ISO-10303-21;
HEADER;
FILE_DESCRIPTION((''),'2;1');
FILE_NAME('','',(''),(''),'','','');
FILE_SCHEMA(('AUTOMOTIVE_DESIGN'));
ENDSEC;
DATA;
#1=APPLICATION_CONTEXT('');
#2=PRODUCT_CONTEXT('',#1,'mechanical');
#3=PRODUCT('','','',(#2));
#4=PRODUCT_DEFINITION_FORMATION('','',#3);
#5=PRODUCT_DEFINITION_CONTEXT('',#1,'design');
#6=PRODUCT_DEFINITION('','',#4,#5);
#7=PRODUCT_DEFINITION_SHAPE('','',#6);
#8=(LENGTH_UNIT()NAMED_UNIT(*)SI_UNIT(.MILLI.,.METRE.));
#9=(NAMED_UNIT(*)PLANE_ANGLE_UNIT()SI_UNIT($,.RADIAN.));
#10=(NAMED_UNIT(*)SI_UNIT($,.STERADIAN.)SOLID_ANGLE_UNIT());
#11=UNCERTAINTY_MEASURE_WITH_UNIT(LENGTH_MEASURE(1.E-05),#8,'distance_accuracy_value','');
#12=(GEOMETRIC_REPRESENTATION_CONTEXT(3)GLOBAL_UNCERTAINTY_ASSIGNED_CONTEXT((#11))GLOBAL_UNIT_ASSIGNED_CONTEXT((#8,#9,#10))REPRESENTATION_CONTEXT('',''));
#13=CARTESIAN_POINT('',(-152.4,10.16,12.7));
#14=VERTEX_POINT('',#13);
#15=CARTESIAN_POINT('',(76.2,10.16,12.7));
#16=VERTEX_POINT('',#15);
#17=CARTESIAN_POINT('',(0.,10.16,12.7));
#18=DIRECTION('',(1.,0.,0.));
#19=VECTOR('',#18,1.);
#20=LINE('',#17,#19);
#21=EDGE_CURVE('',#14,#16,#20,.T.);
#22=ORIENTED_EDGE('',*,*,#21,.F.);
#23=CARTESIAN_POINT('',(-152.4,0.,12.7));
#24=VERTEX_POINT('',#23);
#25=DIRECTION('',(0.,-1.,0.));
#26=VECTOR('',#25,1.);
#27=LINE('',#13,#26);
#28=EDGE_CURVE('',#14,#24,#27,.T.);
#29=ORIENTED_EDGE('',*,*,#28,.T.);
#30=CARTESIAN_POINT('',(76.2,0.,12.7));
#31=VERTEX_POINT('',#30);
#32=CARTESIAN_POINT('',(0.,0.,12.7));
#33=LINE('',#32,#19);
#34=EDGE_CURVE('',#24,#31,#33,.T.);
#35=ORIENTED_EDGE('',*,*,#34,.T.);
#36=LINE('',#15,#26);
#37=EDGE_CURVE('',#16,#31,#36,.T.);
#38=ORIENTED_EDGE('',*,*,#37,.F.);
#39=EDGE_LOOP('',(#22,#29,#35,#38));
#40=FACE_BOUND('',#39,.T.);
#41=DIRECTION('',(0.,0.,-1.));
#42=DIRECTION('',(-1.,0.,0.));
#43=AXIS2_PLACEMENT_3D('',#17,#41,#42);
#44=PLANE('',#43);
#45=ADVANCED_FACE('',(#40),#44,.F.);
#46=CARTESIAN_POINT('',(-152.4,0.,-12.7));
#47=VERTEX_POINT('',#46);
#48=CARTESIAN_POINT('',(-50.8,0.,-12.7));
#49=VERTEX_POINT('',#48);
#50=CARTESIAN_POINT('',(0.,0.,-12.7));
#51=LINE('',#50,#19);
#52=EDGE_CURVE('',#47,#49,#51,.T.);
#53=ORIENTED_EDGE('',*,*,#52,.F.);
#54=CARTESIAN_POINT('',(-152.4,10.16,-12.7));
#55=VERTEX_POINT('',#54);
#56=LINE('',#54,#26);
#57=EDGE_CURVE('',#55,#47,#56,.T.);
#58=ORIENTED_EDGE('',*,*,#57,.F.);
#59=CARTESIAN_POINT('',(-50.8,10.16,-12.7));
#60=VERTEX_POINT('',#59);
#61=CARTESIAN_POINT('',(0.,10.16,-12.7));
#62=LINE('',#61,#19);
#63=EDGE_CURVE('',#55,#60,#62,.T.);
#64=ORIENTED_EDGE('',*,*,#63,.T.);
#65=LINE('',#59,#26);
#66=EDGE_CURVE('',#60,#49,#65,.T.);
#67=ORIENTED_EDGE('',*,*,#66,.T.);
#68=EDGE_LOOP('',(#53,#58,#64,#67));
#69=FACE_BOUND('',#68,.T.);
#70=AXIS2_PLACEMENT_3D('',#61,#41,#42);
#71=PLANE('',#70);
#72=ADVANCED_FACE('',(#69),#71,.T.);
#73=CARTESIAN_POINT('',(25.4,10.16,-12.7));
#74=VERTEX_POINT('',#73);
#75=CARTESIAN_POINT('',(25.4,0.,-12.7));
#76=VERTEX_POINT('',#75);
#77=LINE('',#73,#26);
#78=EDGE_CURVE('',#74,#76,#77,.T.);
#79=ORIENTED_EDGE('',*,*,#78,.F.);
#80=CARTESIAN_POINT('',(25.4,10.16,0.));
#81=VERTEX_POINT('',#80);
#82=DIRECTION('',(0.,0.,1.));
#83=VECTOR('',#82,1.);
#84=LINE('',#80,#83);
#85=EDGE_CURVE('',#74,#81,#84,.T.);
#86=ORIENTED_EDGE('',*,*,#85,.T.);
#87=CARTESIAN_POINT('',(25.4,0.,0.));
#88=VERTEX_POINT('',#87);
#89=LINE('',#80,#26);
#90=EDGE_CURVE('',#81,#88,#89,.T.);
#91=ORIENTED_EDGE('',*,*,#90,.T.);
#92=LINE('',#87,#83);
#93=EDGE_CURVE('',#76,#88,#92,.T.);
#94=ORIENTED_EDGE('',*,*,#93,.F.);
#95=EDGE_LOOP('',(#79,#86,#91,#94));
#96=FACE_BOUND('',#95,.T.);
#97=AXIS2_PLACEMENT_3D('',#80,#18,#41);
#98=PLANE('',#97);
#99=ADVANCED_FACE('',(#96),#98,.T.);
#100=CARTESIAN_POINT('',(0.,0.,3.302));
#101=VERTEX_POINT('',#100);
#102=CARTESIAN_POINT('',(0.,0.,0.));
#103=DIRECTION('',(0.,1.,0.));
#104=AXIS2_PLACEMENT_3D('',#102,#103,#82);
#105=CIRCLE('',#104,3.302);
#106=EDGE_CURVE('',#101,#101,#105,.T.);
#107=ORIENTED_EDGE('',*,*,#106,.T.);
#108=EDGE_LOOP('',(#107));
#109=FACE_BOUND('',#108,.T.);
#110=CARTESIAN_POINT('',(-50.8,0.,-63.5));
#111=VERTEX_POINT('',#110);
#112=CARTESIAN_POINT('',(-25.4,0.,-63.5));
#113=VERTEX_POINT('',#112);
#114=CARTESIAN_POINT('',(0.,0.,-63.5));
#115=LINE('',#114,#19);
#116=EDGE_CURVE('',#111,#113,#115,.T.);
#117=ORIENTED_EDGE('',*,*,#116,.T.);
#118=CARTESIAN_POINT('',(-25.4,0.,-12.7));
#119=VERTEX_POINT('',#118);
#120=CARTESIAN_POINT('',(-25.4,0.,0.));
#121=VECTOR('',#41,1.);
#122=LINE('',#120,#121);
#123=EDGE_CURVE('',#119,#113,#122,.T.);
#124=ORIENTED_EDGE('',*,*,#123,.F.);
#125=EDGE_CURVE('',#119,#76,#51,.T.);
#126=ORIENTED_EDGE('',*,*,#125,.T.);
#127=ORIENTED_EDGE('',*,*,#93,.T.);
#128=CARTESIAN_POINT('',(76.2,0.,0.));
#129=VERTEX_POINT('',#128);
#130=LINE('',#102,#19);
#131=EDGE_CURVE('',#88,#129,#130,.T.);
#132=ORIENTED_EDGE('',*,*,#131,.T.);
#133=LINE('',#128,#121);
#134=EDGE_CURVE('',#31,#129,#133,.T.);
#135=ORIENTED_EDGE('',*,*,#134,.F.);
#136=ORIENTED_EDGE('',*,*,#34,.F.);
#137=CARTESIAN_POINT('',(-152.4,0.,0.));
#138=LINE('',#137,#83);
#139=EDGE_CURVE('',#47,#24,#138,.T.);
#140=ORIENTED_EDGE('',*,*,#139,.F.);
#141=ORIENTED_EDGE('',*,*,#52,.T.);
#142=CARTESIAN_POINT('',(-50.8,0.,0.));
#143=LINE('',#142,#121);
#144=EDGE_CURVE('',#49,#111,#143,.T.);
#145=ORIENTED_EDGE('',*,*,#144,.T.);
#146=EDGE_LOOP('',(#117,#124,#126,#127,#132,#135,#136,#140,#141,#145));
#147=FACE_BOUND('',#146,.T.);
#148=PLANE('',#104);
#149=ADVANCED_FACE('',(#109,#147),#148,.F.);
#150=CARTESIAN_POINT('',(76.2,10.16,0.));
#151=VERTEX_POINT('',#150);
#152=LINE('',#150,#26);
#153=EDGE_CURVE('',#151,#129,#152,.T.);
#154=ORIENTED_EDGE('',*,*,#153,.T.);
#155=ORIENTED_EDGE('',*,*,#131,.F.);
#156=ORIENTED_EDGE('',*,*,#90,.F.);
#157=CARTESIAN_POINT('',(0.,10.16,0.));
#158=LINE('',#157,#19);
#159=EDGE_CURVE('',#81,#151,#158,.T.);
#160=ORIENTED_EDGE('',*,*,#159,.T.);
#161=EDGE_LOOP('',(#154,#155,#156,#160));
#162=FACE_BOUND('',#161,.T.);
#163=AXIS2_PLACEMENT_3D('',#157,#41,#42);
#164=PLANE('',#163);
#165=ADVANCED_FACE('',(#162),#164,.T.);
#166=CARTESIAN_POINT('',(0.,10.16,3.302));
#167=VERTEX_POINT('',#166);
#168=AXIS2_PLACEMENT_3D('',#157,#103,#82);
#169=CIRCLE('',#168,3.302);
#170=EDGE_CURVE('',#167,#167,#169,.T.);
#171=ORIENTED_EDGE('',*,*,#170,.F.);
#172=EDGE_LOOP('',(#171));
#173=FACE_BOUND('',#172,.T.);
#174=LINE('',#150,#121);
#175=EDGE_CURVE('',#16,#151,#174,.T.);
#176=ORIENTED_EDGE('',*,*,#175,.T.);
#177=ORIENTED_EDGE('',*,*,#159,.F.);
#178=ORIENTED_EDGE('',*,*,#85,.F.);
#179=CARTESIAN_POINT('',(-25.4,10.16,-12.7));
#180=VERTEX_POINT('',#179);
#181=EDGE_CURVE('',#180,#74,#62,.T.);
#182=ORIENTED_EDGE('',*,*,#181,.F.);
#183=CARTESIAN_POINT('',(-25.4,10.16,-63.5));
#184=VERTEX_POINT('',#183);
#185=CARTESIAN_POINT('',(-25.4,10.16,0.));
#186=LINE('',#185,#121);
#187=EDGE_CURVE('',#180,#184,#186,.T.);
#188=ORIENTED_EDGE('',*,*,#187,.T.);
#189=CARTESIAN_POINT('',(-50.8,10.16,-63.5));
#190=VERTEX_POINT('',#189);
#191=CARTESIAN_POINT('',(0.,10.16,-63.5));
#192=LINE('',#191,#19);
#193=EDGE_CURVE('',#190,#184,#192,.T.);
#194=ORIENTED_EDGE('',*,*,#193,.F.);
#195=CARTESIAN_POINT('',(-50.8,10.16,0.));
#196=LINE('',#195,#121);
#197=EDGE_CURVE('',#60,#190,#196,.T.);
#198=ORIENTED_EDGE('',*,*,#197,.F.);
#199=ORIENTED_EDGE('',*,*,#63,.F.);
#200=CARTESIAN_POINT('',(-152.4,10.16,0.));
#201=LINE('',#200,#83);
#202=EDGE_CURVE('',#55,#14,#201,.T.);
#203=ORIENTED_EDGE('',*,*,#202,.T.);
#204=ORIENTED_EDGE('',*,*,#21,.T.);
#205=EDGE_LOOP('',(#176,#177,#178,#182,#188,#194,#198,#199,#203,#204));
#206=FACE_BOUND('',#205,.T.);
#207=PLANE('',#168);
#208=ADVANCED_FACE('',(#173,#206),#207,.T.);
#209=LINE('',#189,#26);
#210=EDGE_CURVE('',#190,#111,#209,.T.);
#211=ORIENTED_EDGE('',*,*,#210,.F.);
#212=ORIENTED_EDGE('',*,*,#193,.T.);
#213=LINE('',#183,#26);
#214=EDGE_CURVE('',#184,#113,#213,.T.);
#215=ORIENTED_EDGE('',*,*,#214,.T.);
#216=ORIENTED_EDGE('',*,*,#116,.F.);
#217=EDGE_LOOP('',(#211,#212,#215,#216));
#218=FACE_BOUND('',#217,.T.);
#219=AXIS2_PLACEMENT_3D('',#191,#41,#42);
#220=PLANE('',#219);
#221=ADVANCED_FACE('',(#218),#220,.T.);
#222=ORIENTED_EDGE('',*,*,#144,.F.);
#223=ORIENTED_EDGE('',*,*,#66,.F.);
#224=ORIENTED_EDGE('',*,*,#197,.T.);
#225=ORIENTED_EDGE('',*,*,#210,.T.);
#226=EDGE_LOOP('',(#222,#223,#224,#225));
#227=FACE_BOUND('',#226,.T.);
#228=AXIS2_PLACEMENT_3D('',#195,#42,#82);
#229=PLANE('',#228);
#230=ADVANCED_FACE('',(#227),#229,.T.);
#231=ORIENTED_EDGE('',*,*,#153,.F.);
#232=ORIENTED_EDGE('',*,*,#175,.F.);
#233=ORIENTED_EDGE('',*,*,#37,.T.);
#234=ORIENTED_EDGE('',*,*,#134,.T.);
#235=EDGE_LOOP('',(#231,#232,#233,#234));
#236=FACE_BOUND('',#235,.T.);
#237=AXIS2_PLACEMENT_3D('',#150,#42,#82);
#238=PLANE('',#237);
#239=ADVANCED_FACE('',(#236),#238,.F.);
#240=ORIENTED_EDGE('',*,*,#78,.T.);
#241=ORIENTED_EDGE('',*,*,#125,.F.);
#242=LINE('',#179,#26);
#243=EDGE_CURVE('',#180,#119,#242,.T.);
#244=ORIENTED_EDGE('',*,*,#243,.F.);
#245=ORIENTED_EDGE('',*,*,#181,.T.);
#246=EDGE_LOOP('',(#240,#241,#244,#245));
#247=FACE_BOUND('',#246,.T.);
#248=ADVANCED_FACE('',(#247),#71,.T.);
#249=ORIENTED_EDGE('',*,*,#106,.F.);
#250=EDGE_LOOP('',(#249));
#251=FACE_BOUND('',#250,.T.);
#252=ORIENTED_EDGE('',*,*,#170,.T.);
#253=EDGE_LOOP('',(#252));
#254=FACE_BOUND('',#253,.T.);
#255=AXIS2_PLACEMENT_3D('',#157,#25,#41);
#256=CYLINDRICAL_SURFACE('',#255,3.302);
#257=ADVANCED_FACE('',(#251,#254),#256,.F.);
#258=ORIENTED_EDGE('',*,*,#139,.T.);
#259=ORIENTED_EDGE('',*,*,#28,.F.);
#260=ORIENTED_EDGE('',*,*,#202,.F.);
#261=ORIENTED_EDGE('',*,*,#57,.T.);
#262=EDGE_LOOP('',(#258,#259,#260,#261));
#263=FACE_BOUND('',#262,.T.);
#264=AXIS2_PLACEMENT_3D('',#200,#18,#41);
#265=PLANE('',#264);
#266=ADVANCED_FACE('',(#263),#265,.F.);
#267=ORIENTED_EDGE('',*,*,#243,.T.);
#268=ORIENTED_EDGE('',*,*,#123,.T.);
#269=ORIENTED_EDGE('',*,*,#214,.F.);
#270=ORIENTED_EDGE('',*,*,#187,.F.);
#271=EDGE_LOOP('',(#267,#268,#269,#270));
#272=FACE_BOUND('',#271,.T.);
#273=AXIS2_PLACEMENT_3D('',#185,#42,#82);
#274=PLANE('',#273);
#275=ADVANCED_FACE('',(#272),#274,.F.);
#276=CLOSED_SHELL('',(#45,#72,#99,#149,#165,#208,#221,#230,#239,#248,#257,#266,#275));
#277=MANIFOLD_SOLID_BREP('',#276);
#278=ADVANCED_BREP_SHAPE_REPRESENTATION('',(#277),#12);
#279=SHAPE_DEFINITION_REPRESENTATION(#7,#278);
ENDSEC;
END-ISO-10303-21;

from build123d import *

# Parameters (mm, degrees)
SKETCH1_R           = 3.302
BOSS_EXTRUDE1_DEPTH = 10.16


with BuildPart() as part:
    # Sketch1 → Boss-Extrude1 (new body)
    with BuildSketch(Plane(origin=(0, 0, 0), x_dir=(1, 0, 0), z_dir=(0, 1, 0))):
        Polygon((-25.4, 12.7), (25.4, 12.7), (25.4, 0), (76.2, 0), (76.2, -12.7), (25.4, -12.7), (-152.4, -12.7), (-152.4, 12.7), (-50.8, 12.7), (-50.8, 63.5), (-25.4, 63.5), align=None)
        with Locations(Location((0, 0, 0), (0, 0, 270))):
            Circle(SKETCH1_R, mode=Mode.SUBTRACT)
    extrude(amount=BOSS_EXTRUDE1_DEPTH)


solid = part.part
